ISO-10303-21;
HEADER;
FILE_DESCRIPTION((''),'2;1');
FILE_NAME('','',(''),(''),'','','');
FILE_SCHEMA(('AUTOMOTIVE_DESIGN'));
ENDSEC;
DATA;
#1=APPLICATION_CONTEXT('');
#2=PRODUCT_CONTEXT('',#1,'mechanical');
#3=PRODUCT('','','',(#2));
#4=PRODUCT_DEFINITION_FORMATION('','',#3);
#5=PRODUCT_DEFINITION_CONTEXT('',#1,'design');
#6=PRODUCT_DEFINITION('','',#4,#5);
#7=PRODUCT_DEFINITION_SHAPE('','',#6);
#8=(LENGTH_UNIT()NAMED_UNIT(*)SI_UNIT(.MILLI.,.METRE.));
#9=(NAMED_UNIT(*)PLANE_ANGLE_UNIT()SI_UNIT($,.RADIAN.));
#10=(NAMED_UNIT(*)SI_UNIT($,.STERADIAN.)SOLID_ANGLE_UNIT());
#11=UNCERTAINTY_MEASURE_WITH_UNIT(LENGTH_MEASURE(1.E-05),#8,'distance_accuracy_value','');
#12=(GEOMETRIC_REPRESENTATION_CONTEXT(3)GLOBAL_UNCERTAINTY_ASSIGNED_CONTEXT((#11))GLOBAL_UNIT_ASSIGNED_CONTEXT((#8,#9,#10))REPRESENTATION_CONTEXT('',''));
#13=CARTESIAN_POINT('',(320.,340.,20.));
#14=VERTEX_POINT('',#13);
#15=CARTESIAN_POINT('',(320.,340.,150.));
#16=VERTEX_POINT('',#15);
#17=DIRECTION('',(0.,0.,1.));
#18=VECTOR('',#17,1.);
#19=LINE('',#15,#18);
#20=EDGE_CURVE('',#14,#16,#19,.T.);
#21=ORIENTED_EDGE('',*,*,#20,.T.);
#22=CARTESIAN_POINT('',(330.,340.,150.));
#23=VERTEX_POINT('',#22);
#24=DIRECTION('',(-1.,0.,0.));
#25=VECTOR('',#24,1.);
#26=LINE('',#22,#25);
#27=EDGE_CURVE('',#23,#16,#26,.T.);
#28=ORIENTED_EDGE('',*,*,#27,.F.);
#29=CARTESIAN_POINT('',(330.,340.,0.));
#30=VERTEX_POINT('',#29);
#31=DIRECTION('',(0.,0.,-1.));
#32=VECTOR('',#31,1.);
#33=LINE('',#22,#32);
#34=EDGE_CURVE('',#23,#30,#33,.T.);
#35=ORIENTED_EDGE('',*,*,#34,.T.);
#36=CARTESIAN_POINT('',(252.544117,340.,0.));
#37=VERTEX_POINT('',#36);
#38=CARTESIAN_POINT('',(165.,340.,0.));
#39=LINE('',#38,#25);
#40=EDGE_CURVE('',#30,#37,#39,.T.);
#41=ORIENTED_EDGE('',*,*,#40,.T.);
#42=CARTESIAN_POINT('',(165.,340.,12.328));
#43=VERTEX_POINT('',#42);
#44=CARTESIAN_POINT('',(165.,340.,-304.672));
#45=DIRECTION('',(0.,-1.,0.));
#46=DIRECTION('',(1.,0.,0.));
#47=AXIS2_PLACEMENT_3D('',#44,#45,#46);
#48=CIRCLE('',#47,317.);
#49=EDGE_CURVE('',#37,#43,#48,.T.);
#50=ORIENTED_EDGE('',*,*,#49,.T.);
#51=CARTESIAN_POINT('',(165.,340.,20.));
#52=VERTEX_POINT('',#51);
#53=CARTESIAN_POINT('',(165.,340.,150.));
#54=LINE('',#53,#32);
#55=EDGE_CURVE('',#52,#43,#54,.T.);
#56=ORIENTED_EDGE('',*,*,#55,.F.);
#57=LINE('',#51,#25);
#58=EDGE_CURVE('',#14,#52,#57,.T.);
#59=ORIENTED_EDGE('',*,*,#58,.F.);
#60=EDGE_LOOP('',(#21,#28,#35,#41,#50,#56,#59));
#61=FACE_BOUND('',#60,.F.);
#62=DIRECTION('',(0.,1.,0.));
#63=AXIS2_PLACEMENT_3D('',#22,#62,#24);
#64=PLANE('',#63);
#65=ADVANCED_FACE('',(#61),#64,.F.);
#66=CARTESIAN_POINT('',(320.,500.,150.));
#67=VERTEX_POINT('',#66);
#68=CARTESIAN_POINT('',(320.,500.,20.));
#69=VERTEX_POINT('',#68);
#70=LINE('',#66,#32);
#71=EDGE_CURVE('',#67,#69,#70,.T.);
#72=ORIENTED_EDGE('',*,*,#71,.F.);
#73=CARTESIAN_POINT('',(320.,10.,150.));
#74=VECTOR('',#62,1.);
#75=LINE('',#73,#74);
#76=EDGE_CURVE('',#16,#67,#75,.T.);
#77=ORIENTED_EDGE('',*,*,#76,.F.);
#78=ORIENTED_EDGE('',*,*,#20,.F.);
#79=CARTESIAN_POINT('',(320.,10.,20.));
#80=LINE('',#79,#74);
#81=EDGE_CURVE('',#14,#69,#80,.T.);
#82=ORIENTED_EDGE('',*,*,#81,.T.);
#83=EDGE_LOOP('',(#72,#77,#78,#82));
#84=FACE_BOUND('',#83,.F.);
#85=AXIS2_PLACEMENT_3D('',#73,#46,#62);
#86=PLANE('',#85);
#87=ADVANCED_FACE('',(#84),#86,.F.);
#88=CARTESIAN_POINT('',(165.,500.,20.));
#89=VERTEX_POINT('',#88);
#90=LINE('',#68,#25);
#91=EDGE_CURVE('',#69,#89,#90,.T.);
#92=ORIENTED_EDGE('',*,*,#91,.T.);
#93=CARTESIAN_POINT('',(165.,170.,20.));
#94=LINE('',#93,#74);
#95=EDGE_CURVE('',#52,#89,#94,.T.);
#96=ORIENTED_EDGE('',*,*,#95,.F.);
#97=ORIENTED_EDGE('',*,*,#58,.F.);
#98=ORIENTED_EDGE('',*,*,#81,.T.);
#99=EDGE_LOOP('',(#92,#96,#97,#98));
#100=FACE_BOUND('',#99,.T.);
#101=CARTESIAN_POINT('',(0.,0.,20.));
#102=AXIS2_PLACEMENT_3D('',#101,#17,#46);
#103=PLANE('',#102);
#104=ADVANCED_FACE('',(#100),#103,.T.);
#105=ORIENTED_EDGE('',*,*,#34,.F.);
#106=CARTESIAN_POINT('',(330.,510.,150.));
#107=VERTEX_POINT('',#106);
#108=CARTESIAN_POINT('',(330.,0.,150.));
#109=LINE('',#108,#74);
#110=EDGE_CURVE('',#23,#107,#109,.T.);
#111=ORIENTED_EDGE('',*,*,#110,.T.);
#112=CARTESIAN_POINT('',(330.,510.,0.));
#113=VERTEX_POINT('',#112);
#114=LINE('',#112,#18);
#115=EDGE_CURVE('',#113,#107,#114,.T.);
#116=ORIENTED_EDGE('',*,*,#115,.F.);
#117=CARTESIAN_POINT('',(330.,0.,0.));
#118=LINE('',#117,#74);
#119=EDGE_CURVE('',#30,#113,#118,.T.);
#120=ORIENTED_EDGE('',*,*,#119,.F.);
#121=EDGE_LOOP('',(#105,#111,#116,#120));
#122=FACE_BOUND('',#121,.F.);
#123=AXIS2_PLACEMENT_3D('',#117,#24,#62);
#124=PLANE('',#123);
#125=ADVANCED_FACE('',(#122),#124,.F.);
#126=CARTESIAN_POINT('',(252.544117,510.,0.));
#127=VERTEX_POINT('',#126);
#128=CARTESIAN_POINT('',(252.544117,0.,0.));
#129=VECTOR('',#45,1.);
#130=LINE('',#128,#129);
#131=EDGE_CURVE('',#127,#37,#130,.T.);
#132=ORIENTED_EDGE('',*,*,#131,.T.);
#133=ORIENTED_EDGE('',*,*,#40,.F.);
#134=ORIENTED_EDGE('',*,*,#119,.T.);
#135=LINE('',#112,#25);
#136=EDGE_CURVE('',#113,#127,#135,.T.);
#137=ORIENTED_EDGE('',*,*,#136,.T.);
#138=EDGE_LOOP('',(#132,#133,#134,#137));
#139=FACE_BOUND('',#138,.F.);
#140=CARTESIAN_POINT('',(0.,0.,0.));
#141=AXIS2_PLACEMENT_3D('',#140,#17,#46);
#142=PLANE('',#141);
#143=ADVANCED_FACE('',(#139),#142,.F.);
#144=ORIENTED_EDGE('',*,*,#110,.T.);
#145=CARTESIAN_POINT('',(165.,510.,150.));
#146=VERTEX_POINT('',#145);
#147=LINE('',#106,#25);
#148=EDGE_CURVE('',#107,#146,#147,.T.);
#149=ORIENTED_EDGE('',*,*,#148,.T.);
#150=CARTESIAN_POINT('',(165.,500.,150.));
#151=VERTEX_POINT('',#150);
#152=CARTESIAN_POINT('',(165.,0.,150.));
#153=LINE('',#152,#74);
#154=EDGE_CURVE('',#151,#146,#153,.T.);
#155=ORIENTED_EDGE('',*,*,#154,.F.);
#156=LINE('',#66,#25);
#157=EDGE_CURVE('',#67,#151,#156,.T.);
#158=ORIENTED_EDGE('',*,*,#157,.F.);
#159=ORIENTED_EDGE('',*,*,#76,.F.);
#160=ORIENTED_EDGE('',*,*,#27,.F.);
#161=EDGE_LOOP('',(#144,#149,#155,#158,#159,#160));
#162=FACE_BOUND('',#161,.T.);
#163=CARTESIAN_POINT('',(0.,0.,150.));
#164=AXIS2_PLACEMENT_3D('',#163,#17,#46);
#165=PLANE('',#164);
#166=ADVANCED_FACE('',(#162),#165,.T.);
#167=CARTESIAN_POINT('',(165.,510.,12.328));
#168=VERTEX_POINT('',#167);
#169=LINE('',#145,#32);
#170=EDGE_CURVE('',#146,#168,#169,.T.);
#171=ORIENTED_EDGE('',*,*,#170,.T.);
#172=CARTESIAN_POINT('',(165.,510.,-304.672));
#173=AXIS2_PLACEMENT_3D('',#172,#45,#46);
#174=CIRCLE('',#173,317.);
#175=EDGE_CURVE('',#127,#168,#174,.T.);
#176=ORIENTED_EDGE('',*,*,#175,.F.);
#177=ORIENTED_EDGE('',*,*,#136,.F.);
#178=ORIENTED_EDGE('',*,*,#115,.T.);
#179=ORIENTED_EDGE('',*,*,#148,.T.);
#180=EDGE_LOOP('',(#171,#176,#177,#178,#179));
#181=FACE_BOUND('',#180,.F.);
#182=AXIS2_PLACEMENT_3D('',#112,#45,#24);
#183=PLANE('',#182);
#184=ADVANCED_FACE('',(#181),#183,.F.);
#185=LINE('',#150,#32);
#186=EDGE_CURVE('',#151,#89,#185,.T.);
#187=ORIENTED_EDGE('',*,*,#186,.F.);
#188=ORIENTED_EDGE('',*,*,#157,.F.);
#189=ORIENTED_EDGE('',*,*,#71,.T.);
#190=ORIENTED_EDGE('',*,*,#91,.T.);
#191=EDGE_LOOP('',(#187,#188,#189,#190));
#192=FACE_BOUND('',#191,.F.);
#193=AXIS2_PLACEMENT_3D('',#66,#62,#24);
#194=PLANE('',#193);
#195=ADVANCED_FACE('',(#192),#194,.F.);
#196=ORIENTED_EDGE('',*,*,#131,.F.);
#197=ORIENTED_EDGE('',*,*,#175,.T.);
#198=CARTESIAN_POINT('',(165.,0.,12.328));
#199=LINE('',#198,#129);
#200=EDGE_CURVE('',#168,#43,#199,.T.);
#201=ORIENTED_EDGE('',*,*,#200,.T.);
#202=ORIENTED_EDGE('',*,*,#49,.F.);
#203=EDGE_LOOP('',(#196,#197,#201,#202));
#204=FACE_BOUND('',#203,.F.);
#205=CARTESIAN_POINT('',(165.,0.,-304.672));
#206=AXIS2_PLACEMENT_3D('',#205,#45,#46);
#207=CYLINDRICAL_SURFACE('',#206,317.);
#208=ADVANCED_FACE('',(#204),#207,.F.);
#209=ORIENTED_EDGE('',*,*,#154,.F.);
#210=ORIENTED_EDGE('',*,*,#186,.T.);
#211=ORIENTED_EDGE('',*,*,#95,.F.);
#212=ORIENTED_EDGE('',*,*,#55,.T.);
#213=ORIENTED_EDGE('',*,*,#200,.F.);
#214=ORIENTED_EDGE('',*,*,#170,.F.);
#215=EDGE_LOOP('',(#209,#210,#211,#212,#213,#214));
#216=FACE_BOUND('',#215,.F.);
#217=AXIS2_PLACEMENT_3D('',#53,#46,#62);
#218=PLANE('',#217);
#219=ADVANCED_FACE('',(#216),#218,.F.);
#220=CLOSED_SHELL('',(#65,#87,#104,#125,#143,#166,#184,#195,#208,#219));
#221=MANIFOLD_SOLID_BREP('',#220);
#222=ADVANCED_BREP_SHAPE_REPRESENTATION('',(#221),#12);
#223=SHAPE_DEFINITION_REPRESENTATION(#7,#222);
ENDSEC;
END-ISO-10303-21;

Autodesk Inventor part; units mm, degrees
ref_plane "YZ Plane" through (0, 0, 0) normal (1, 0, 0) x (0, 1, 0)
ref_plane "XZ Plane" through (0, 0, 0) normal (0, 1, 0) x (-1, 0, 0)
ref_plane "XY Plane" through (0, 0, 0) normal (0, 0, 1) x (1, 0, 0)
sketch "Sketch1" plane through (0, 0, 0) normal (0, 0, 1) x (1, 0, 0)
  line L0 (0, 0) -> (330, 0)
  line L1 (330, 0) -> (330, 510)
  line L2 (330, 510) -> (0, 510)
  line L3 (0, 510) -> (0, 0)
  dimension "d0" = 330
  dimension "d1" = 510
extrude "Extrusion1" add sketch "Sketch1" along normal blind 150
sketch "Sketch2" plane through (0, 0, 0) normal (0, -1, 0) x (1, 0, 0)
  circle A0 centre (165, -304.672) radius 315
  line L0 (85, 0) -> (245, 0)
  line L1 (0, 0) -> (330, 0) projected
  circle A1 centre (165, -304.672) radius 317
  point P0 (165, 0)
  point P1 (165, 0)
  dimension "d4" = 630
  dimension "d8" = 160
  dimension "d9" = 2
extrude "Extrusion2" cut sketch "Sketch2" against normal through all
sketch "Sketch3" plane through (0, 0, 150) normal (0, 0, 1) x (1, 0, 0)
  line L0 (0, 0) -> (330, 0) projected
  line L1 (330, 0) -> (330, 510) projected
  line L2 (330, 510) -> (0, 510) projected
  line L3 (0, 510) -> (0, 0) projected
  line L4 (10, 10) -> (320, 10)
  line L5 (320, 10) -> (320, 500)
  line L6 (320, 500) -> (10, 500)
  line L7 (10, 500) -> (10, 10)
  dimension "d10" = 10
extrude "Extrusion3" cut sketch "Sketch3" against normal blind 130 contours L7 L6 L5 L4
sketch "Sketch4" plane through (0, 0, 20) normal (0, 0, 1) x (1, 0, 0)
  line L0 (10, 500) -> (320, 500) construction
  line L1 (85, 500) -> (245, 500) construction
  line L2 (245, 500) -> (245, 10) construction
  line L3 (245, 10) -> (85, 10) construction
  line L4 (85, 10) -> (85, 500) construction
  line L5 (320, 10) -> (10, 10) construction
  line L6 (85, 500) -> (245, 500) construction
  line L7 (245, 500) -> (245, 455) construction
  line L8 (245, 455) -> (85, 455) construction
  line L9 (85, 455) -> (85, 500) construction
  line L10 (85, 455) -> (245, 455) construction
  line L11 (245, 455) -> (245, 400) construction
  line L12 (245, 400) -> (85, 400) construction
  line L13 (85, 400) -> (85, 455) construction
  line L14 (85, 400) -> (245, 400) construction
  line L15 (245, 400) -> (245, 345) construction
  line L16 (245, 345) -> (85, 345) construction
  line L17 (85, 345) -> (85, 400) construction
  line L18 (85, 345) -> (245, 345) construction
  line L19 (245, 345) -> (245, 290) construction
  line L20 (245, 290) -> (85, 290) construction
  line L21 (85, 290) -> (85, 345) construction
  line L22 (85, 290) -> (245, 290) construction
  line L23 (245, 290) -> (245, 235) construction
  line L24 (245, 235) -> (85, 235) construction
  line L25 (85, 235) -> (85, 290) construction
  circle A0 centre (130.3559, 262.5) radius 15
  circle A1 centre (199.6441, 262.5) radius 15
  line L26 (130.3559, 262.5) -> (199.6441, 262.5) construction
  point P0 (0, 0)
  point P1 (165, 500)
  point P2 (165, 500)
  point P3 (165, 262.5)
  point P4 (165, 235)
  point P5 (245, 262.5)
  dimension "d13" = 160
  dimension "d14" = 45
  dimension "d15" = 55
  dimension "d16" = 55
  dimension "d17" = 55
  dimension "d18" = 55
  dimension "d19" = 30
  dimension "d20" = 30
  dimension "d21" = 69.2883
extrude "Extrusion4" cut sketch "Sketch4" against normal through all
sketch "Sketch5" plane through (0, 0, 150) normal (0, 0, 1) x (1, 0, 0)
  line L0 (0, 0) -> (330, 0) projected
  line L1 (77.4557, 510) -> (252.5443, 510) projected
  line L2 (0, 0) -> (165, 0)
  line L3 (165, 0) -> (165, 510)
  line L4 (165, 510) -> (0, 510)
  line L5 (0, 510) -> (0, 0)
  line L6 (330, 0) -> (330, 510) projected
  line L7 (0, 0) -> (330, 0)
  line L8 (330, 0) -> (330, 340)
  line L9 (330, 340) -> (0, 340)
  line L10 (0, 340) -> (0, 0)
  dimension "d24" = 340
extrude "Extrusion5" cut sketch "Sketch5" against normal through all
properties part number "CA002" material "ABS Plastic"
